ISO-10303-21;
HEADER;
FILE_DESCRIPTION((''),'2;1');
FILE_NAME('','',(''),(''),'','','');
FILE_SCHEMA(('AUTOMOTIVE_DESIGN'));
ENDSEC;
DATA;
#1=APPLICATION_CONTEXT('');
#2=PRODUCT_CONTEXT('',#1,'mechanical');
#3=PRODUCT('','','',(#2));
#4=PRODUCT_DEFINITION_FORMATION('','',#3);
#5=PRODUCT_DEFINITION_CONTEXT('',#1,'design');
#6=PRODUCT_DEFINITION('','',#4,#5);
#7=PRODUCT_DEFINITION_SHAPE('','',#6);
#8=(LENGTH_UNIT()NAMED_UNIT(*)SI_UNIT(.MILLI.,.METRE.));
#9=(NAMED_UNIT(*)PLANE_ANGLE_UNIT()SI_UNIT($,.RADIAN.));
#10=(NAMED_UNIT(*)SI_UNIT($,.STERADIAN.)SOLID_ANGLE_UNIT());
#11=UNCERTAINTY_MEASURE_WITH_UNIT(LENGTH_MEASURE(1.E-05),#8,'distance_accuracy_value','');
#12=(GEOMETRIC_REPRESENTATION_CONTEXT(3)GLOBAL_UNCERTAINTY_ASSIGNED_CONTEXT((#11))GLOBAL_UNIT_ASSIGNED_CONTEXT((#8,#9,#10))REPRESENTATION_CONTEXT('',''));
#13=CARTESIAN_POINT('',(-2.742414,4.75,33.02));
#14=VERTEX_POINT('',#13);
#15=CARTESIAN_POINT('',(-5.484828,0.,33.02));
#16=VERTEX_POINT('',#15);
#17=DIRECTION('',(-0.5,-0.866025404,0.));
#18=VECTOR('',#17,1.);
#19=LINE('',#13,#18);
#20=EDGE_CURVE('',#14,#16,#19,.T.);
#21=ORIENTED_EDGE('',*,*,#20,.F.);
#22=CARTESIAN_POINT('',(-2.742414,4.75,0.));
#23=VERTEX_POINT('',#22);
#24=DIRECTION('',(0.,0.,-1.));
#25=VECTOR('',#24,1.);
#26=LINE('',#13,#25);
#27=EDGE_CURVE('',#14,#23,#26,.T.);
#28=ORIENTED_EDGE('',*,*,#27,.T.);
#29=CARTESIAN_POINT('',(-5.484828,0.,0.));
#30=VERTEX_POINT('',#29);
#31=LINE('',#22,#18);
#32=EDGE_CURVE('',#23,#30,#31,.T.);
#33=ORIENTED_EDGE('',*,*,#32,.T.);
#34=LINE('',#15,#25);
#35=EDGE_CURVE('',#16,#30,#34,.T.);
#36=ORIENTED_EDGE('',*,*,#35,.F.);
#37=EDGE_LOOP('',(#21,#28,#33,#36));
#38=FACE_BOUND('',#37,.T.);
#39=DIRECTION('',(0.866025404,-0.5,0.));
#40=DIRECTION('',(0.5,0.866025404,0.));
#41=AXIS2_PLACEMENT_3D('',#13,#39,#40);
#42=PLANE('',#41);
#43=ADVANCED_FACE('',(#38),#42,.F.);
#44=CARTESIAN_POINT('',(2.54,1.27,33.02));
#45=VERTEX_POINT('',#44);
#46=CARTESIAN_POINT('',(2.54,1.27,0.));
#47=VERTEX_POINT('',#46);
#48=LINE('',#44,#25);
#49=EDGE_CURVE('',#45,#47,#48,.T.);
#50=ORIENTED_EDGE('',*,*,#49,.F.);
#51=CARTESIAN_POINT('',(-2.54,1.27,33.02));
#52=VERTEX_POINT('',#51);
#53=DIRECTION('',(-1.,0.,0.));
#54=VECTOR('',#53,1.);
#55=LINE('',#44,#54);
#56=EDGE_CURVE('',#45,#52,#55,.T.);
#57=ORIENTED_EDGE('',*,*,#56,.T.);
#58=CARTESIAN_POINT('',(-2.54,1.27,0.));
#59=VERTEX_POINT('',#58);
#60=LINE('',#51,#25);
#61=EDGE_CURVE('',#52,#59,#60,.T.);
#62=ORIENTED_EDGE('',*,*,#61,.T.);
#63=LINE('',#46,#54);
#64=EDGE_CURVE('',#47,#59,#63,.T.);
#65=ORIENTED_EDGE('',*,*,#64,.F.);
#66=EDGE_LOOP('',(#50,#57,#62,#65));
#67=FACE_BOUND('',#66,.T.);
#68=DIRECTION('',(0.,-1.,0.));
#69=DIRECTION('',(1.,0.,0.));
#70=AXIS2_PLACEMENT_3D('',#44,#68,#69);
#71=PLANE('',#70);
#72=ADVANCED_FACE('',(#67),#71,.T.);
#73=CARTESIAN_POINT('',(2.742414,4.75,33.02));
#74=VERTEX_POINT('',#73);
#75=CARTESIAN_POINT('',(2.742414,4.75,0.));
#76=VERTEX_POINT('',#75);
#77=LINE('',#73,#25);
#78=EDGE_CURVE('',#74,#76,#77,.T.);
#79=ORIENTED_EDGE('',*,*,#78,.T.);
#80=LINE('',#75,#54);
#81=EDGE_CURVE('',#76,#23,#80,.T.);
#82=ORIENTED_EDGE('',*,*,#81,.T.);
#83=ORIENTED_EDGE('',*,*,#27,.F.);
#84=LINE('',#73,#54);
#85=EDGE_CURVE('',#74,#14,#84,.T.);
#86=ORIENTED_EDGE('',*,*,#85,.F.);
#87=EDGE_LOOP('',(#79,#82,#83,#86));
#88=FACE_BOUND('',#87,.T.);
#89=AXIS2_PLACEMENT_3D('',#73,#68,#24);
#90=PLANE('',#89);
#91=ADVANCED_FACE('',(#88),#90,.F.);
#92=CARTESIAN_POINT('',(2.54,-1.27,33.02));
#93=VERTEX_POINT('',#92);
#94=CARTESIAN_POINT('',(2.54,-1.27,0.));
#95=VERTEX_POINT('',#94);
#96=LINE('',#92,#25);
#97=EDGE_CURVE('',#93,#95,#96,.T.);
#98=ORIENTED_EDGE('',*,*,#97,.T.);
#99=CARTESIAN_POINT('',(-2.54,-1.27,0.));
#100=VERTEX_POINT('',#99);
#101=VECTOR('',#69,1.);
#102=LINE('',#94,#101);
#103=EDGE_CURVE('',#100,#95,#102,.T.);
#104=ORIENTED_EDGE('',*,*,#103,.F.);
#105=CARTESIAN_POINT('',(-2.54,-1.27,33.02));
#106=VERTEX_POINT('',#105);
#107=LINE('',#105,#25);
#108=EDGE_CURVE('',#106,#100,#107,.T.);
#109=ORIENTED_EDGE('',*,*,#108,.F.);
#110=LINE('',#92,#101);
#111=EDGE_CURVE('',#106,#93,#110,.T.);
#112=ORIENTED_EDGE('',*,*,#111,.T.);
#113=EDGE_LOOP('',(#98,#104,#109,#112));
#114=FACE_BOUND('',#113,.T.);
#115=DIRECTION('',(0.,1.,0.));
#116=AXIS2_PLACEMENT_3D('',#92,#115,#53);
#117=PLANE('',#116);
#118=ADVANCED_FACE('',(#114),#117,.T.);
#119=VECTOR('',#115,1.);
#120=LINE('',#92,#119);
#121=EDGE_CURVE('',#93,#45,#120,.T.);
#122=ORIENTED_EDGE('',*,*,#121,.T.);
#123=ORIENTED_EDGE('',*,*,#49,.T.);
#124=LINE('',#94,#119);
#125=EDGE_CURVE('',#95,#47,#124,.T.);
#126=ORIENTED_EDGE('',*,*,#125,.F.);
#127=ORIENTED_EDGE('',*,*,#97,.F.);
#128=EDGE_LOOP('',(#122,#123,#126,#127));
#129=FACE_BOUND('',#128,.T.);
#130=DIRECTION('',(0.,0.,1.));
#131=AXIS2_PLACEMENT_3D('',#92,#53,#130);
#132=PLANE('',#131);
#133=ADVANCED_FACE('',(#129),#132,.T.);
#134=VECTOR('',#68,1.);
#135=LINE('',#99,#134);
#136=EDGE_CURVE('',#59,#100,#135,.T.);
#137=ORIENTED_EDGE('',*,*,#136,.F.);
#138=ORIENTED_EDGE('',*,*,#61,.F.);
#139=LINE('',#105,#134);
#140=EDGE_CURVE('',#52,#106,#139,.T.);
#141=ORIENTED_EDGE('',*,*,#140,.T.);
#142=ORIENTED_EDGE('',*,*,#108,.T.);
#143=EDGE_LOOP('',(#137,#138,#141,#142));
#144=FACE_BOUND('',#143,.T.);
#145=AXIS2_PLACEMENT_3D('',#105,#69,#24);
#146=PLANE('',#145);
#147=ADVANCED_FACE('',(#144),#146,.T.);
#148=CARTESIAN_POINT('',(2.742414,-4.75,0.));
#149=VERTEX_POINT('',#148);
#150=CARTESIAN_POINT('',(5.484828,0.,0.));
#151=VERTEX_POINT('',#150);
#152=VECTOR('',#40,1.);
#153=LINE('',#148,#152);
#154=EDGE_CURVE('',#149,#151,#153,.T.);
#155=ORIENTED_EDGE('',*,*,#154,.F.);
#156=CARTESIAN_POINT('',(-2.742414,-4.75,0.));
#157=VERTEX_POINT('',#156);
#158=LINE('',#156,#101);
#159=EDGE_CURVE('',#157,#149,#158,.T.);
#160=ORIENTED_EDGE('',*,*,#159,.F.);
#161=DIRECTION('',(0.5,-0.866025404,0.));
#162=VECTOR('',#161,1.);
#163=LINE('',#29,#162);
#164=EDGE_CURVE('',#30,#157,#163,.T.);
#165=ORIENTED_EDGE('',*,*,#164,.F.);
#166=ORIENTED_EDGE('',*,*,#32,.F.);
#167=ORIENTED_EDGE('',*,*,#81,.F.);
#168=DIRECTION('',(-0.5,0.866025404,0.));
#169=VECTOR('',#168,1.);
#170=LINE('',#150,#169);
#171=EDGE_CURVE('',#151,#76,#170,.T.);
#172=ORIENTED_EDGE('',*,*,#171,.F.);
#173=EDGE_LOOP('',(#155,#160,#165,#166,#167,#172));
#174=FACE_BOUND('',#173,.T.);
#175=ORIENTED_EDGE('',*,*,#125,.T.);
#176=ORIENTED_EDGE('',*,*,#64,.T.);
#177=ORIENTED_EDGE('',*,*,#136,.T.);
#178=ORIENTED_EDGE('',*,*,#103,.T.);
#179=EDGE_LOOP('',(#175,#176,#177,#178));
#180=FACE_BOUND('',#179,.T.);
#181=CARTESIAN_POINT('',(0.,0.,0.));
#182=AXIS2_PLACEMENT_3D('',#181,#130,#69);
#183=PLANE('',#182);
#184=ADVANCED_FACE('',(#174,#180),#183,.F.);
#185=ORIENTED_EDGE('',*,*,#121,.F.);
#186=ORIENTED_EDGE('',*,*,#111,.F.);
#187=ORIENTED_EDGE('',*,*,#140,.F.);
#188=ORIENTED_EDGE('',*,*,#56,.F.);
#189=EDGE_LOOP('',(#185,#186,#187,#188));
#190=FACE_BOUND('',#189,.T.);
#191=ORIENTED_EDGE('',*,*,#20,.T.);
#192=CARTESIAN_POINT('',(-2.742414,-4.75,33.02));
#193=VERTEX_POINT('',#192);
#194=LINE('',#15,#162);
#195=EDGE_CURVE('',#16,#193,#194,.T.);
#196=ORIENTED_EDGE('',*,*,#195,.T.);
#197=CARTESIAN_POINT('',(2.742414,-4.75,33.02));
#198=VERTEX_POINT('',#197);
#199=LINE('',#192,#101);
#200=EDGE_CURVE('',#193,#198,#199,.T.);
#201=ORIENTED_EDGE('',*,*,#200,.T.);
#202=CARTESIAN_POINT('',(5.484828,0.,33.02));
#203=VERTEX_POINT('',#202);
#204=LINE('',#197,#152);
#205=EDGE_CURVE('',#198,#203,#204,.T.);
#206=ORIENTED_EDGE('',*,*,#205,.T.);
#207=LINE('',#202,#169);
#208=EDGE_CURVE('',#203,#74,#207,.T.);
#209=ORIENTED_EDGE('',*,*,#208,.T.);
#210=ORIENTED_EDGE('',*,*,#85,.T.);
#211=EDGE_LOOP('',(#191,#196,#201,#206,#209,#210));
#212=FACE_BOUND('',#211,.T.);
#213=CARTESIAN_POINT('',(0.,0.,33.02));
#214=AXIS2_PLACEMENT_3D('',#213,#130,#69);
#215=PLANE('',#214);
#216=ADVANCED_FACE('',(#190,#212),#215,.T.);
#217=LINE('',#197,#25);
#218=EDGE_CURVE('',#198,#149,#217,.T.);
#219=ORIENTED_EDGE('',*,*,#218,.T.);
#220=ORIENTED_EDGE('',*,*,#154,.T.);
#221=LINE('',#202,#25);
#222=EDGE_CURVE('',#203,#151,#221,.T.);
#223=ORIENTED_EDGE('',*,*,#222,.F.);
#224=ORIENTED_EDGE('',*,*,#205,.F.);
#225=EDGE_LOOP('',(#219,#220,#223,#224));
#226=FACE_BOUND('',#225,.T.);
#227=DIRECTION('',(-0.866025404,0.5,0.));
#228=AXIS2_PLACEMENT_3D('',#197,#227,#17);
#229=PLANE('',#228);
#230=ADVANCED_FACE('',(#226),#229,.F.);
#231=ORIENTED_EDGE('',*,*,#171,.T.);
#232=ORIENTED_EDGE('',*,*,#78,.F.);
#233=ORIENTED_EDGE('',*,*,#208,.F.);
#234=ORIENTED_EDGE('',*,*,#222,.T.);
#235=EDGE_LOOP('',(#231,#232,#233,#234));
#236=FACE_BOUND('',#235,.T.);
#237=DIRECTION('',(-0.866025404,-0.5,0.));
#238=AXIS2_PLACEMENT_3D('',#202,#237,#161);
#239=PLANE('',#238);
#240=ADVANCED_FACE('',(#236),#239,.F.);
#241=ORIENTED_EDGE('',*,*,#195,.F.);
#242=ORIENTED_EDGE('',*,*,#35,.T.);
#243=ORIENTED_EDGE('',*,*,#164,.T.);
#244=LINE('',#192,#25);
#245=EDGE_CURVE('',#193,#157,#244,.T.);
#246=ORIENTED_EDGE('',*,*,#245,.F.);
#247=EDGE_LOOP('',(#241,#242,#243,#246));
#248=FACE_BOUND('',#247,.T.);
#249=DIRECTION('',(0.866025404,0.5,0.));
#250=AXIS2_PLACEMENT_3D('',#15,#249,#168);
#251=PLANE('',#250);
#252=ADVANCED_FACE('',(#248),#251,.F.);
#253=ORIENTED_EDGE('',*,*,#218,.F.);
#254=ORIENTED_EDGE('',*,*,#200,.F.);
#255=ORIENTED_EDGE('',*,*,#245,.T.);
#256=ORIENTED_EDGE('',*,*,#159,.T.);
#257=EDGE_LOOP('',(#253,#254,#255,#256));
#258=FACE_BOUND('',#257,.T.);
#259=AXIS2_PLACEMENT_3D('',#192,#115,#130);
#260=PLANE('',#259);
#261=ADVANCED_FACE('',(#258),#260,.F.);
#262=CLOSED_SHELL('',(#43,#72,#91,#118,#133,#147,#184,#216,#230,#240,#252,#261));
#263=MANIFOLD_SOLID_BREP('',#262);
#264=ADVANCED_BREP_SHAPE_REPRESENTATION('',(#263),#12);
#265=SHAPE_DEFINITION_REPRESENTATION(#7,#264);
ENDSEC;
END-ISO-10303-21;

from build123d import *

# Parameters (mm, degrees)
SKETCH1_W           = 5.08
SKETCH1_H           = 2.54
BOSS_EXTRUDE1_DEPTH = 33.02


with BuildPart() as part:
    # Sketch1 → Boss-Extrude1 (new body)
    with BuildSketch(Plane.XY):
        Polygon((-2.742413779, 4.75), (-5.484827557, 0), (-2.742413779, -4.75), (2.742413779, -4.75), (5.484827557, 0), (2.742413779, 4.75), align=None)
        Rectangle(SKETCH1_W, SKETCH1_H, mode=Mode.SUBTRACT)
    extrude(amount=BOSS_EXTRUDE1_DEPTH)


solid = part.part
